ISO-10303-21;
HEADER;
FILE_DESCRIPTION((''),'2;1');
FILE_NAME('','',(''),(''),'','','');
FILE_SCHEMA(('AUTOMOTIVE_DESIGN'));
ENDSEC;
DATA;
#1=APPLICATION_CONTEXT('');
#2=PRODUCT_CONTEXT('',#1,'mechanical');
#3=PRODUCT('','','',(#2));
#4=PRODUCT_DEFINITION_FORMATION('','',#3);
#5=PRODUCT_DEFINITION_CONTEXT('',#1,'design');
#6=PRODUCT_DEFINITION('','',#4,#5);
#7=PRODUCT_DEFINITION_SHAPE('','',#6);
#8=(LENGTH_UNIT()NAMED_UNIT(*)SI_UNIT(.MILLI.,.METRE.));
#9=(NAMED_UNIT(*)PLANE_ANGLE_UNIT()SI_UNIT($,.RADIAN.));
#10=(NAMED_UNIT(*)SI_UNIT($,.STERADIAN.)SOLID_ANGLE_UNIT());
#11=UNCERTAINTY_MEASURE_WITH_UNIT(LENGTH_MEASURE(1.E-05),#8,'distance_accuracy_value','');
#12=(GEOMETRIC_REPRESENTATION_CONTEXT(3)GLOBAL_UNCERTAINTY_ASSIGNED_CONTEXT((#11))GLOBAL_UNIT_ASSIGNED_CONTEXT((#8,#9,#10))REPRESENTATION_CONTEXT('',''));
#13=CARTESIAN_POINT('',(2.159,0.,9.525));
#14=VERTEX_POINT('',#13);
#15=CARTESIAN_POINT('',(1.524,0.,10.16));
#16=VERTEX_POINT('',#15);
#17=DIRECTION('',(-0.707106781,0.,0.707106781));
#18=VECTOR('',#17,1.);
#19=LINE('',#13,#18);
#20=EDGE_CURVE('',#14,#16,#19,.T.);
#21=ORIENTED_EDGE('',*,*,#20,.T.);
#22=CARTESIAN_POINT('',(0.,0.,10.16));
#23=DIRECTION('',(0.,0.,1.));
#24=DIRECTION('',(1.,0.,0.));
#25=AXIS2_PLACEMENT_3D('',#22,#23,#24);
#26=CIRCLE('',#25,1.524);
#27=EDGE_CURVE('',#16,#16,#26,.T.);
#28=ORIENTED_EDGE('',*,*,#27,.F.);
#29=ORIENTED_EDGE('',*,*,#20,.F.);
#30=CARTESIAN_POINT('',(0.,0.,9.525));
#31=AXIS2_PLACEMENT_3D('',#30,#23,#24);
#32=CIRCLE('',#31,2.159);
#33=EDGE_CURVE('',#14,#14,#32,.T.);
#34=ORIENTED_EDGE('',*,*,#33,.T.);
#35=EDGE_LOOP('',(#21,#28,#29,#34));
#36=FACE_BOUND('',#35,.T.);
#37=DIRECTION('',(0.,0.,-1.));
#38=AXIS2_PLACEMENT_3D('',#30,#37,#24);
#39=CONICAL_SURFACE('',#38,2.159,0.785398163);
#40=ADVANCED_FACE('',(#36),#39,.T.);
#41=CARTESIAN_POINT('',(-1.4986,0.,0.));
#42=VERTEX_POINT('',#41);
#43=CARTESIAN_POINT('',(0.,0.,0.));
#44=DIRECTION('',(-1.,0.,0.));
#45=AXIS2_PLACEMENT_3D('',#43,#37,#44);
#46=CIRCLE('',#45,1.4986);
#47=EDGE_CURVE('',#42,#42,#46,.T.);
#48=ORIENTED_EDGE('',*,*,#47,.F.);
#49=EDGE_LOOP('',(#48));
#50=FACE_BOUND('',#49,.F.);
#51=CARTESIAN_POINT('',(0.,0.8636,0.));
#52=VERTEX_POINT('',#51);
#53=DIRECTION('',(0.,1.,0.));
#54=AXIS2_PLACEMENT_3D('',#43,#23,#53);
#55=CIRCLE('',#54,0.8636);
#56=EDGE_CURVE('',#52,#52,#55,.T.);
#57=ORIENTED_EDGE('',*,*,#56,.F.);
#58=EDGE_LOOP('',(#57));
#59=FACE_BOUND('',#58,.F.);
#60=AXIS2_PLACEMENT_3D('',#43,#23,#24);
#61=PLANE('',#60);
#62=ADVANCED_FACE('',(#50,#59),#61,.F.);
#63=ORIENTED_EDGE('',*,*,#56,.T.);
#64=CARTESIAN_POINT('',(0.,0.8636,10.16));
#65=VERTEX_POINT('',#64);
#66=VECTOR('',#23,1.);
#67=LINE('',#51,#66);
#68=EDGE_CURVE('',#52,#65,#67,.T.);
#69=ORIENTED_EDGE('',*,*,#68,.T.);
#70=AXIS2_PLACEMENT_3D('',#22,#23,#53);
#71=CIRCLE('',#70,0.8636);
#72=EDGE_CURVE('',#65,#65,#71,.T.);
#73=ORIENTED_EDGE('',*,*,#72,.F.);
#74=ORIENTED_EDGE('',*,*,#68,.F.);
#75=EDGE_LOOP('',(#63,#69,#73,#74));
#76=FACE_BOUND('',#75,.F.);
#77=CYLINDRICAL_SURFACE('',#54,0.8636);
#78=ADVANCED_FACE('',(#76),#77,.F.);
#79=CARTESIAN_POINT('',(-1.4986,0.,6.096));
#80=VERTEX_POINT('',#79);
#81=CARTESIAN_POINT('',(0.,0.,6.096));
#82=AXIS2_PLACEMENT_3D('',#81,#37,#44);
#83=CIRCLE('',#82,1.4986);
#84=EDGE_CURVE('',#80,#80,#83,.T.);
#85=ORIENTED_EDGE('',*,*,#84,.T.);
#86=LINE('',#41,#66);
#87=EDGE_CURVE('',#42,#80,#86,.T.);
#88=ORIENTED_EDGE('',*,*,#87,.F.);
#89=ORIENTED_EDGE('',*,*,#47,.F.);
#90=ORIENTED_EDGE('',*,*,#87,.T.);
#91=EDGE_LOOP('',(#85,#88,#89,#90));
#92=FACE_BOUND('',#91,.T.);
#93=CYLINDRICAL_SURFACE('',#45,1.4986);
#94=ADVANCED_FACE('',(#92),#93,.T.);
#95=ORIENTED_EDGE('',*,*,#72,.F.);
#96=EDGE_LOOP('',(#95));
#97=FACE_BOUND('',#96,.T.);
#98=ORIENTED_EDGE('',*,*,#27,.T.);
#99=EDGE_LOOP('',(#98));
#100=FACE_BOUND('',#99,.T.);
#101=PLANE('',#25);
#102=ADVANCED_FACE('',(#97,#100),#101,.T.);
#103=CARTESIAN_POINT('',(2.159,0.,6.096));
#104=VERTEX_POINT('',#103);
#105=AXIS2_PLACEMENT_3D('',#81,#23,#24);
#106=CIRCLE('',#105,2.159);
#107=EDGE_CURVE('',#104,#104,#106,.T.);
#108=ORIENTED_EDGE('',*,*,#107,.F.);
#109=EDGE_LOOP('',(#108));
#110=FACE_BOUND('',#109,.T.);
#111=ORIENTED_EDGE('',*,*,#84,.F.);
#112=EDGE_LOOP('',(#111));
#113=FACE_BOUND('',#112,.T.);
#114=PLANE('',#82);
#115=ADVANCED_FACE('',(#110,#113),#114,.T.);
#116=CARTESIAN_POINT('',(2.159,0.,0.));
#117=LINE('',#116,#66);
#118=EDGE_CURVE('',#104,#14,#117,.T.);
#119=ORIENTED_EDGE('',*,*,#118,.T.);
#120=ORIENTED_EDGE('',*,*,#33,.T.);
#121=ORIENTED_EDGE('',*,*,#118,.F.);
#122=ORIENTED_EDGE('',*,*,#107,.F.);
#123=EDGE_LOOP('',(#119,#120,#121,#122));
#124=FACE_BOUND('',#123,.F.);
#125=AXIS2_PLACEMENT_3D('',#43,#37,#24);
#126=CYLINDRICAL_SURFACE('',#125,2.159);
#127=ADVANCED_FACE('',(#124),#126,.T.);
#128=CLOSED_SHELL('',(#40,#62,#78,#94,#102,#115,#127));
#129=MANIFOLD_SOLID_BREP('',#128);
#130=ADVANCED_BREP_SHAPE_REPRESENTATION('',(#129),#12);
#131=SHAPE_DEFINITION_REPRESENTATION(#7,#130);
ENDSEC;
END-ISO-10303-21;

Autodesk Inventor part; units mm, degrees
ref_plane "YZ Plane" through (0, 0, 0) normal (1, 0, 0) x (0, 1, 0)
ref_plane "XZ Plane" through (0, 0, 0) normal (0, 1, 0) x (-1, 0, 0)
ref_plane "XY Plane" through (0, 0, 0) normal (0, 0, 1) x (1, 0, 0)
sketch "Sketch1" plane through (0, 0, 0) normal (0, 0, 1) x (1, 0, 0)
  circle A0 centre (0, 0) radius 2.159
  dimension "d0" = 4.318
extrude "Extrusion1" add sketch "Sketch1" along normal blind 10.16
sketch "Sketch2" plane through (0, 0, 0) normal (0, 0, -1) x (-1, 0, 0)
  circle A0 centre (0, 0) radius 2.159 projected
  circle A1 centre (0, 0) radius 1.4986
  dimension "d3" = 2.9972
extrude "Extrusion2" cut sketch "Sketch2" against normal blind 6.096
sketch "Sketch3" plane through (0, 0, 0) normal (0, 0, -1) x (-1, 0, 0)
  circle A0 centre (0, 0) radius 1.4986 projected
hole "Hole1" at (0, 0, 0) direction (0, 0, 1) diameter 1.7272 end through all
chamfer "Chamfer1" distance 0.635 angle 45 1 edges at (-2.159, 0, 10.16)
properties part number "Connector"
